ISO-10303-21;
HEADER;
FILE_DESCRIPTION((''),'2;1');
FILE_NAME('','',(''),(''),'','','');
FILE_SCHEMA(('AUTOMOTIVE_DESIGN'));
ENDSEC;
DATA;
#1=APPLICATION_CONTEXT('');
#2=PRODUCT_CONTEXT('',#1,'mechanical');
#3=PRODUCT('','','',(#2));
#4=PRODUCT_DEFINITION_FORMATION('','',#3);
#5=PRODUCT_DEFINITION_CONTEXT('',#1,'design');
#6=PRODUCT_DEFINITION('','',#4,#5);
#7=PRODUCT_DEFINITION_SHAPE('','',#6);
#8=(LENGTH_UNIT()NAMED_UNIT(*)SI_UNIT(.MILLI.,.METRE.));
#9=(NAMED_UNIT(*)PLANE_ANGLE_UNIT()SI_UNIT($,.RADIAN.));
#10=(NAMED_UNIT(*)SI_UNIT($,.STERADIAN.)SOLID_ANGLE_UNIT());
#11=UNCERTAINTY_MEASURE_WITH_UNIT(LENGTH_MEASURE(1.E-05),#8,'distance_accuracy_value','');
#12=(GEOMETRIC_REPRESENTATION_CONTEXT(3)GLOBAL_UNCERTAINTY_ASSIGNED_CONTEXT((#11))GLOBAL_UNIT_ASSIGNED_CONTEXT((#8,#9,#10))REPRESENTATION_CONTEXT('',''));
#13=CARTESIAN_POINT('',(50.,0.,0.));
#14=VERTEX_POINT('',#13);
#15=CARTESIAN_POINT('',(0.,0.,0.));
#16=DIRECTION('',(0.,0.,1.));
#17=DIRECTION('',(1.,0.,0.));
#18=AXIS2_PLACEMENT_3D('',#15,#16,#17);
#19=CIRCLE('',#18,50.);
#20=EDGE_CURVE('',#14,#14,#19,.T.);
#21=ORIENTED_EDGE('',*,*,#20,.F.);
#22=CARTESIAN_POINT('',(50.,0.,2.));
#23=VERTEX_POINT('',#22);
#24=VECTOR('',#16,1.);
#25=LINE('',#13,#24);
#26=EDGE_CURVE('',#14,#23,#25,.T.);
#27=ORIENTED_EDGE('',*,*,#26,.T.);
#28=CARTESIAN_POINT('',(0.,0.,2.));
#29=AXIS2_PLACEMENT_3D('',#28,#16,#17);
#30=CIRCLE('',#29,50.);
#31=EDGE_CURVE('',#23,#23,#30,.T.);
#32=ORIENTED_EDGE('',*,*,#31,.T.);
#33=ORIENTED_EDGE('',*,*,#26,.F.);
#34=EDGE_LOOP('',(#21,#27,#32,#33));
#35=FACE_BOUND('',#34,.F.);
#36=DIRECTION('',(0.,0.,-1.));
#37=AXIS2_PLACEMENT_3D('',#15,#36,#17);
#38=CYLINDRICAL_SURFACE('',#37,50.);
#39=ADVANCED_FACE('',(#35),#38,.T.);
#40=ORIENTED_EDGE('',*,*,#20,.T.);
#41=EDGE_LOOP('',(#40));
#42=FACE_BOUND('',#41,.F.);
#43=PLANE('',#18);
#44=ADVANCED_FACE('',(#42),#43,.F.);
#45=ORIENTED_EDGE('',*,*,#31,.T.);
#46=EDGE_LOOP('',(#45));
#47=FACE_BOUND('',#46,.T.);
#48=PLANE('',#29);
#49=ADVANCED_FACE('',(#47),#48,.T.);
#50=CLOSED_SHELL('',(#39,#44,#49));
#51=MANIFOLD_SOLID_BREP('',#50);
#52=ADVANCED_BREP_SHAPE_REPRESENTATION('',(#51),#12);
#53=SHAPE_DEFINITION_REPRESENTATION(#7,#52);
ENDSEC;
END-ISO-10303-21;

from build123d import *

# Parameters (mm, degrees)
SKETCH_R  = 50
PAD_DEPTH = 2


with BuildPart() as part:
    # Sketch → Pad (new body)
    with BuildSketch(Plane.XY):
        Circle(SKETCH_R)
    extrude(amount=PAD_DEPTH)


solid = part.part
